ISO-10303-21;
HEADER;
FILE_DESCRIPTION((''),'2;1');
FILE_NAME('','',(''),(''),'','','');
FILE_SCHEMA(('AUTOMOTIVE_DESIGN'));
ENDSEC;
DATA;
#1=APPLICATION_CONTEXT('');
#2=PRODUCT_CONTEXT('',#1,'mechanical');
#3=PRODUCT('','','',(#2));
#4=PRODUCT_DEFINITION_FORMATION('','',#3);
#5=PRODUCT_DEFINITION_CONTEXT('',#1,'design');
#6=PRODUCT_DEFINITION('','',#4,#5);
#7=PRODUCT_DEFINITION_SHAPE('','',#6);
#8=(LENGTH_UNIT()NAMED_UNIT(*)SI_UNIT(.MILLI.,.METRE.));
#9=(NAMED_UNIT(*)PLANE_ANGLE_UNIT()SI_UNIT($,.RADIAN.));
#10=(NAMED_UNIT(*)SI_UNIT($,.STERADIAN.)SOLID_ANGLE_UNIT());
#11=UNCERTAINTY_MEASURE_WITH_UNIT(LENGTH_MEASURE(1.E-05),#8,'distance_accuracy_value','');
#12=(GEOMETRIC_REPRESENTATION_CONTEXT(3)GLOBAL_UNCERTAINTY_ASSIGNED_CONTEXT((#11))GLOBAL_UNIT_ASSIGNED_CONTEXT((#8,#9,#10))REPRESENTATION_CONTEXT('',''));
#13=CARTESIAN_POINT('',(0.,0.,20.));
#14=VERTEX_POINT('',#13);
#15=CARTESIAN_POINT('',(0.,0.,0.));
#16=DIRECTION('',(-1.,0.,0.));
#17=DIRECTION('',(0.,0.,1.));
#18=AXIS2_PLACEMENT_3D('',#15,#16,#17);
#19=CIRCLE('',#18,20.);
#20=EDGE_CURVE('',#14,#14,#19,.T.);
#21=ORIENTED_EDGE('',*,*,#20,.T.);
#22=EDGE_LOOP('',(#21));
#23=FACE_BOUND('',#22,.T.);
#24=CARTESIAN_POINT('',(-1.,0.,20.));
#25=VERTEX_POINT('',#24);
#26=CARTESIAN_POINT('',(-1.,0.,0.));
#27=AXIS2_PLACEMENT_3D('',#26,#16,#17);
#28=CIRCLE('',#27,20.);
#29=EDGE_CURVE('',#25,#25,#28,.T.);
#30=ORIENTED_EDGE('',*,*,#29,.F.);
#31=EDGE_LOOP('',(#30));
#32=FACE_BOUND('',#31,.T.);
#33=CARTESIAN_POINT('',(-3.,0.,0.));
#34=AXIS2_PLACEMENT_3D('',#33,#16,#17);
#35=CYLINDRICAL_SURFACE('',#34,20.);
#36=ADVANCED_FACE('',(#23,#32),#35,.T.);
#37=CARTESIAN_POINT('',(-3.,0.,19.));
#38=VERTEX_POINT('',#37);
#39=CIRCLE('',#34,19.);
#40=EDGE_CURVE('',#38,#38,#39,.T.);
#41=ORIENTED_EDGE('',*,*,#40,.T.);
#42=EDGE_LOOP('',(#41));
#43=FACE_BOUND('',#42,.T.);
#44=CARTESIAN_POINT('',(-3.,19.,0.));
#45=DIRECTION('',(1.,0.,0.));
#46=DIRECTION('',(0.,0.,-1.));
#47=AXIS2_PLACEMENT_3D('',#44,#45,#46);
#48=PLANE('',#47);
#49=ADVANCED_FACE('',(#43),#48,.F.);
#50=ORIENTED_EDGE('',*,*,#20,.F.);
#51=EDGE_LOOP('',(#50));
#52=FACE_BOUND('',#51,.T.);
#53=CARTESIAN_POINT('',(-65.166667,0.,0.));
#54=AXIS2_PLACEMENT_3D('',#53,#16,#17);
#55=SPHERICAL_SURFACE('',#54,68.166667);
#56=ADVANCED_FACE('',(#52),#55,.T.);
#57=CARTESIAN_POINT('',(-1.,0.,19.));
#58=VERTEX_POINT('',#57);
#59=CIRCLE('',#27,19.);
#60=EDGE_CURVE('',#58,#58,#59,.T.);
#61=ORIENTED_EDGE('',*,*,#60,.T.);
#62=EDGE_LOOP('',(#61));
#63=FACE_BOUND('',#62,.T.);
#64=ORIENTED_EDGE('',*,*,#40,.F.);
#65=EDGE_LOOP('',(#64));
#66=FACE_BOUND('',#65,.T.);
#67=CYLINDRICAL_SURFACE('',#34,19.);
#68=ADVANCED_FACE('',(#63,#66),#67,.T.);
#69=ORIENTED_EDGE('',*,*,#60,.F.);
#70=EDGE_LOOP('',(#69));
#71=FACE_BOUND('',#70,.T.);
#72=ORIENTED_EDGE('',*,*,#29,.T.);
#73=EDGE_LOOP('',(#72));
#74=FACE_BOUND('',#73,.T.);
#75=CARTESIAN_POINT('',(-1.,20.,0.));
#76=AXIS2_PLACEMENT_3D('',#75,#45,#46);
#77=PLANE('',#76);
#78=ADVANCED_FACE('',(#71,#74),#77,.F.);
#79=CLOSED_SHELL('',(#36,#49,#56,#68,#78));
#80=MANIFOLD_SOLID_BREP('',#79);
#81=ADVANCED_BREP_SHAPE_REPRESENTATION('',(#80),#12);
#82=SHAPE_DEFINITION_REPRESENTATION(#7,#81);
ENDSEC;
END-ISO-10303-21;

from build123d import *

# Parameters (mm, degrees)
DOME1_FACE_RADIUS = 20
DOME1_HEIGHT      = 3


with BuildPart() as part:
    # Sketch1 → Revolve1 (revolve)
    with BuildSketch(Plane.XY, mode=Mode.PRIVATE) as revolve1_sk:
        Polygon((0, 0), (0, 20), (-1, 20), (-1, 19), (-3, 19), (-3, 0), align=None)
    revolve(revolve1_sk.sketch.rotate(Axis((-3, 0, 0), (1, 0, 0)), 90), axis=Axis((-3, 0, 0), (1, 0, 0)))

    # Dome1: a dome of height H over a round flat face of radius A is a cap of a sphere of radius (A * A + H * H) / (2 * H)
    dome1_r = (DOME1_FACE_RADIUS * DOME1_FACE_RADIUS + DOME1_HEIGHT * DOME1_HEIGHT) / (2 * DOME1_HEIGHT)
    dome1_base = Plane((0, 0, 0), z_dir=(1, 0, 0))
    with Locations(dome1_base.offset(DOME1_HEIGHT - dome1_r)):
        dome1_ball = Sphere(dome1_r, mode=Mode.PRIVATE)
    add(split(dome1_ball, bisect_by=dome1_base, keep=Keep.TOP, mode=Mode.PRIVATE))


solid = part.part
